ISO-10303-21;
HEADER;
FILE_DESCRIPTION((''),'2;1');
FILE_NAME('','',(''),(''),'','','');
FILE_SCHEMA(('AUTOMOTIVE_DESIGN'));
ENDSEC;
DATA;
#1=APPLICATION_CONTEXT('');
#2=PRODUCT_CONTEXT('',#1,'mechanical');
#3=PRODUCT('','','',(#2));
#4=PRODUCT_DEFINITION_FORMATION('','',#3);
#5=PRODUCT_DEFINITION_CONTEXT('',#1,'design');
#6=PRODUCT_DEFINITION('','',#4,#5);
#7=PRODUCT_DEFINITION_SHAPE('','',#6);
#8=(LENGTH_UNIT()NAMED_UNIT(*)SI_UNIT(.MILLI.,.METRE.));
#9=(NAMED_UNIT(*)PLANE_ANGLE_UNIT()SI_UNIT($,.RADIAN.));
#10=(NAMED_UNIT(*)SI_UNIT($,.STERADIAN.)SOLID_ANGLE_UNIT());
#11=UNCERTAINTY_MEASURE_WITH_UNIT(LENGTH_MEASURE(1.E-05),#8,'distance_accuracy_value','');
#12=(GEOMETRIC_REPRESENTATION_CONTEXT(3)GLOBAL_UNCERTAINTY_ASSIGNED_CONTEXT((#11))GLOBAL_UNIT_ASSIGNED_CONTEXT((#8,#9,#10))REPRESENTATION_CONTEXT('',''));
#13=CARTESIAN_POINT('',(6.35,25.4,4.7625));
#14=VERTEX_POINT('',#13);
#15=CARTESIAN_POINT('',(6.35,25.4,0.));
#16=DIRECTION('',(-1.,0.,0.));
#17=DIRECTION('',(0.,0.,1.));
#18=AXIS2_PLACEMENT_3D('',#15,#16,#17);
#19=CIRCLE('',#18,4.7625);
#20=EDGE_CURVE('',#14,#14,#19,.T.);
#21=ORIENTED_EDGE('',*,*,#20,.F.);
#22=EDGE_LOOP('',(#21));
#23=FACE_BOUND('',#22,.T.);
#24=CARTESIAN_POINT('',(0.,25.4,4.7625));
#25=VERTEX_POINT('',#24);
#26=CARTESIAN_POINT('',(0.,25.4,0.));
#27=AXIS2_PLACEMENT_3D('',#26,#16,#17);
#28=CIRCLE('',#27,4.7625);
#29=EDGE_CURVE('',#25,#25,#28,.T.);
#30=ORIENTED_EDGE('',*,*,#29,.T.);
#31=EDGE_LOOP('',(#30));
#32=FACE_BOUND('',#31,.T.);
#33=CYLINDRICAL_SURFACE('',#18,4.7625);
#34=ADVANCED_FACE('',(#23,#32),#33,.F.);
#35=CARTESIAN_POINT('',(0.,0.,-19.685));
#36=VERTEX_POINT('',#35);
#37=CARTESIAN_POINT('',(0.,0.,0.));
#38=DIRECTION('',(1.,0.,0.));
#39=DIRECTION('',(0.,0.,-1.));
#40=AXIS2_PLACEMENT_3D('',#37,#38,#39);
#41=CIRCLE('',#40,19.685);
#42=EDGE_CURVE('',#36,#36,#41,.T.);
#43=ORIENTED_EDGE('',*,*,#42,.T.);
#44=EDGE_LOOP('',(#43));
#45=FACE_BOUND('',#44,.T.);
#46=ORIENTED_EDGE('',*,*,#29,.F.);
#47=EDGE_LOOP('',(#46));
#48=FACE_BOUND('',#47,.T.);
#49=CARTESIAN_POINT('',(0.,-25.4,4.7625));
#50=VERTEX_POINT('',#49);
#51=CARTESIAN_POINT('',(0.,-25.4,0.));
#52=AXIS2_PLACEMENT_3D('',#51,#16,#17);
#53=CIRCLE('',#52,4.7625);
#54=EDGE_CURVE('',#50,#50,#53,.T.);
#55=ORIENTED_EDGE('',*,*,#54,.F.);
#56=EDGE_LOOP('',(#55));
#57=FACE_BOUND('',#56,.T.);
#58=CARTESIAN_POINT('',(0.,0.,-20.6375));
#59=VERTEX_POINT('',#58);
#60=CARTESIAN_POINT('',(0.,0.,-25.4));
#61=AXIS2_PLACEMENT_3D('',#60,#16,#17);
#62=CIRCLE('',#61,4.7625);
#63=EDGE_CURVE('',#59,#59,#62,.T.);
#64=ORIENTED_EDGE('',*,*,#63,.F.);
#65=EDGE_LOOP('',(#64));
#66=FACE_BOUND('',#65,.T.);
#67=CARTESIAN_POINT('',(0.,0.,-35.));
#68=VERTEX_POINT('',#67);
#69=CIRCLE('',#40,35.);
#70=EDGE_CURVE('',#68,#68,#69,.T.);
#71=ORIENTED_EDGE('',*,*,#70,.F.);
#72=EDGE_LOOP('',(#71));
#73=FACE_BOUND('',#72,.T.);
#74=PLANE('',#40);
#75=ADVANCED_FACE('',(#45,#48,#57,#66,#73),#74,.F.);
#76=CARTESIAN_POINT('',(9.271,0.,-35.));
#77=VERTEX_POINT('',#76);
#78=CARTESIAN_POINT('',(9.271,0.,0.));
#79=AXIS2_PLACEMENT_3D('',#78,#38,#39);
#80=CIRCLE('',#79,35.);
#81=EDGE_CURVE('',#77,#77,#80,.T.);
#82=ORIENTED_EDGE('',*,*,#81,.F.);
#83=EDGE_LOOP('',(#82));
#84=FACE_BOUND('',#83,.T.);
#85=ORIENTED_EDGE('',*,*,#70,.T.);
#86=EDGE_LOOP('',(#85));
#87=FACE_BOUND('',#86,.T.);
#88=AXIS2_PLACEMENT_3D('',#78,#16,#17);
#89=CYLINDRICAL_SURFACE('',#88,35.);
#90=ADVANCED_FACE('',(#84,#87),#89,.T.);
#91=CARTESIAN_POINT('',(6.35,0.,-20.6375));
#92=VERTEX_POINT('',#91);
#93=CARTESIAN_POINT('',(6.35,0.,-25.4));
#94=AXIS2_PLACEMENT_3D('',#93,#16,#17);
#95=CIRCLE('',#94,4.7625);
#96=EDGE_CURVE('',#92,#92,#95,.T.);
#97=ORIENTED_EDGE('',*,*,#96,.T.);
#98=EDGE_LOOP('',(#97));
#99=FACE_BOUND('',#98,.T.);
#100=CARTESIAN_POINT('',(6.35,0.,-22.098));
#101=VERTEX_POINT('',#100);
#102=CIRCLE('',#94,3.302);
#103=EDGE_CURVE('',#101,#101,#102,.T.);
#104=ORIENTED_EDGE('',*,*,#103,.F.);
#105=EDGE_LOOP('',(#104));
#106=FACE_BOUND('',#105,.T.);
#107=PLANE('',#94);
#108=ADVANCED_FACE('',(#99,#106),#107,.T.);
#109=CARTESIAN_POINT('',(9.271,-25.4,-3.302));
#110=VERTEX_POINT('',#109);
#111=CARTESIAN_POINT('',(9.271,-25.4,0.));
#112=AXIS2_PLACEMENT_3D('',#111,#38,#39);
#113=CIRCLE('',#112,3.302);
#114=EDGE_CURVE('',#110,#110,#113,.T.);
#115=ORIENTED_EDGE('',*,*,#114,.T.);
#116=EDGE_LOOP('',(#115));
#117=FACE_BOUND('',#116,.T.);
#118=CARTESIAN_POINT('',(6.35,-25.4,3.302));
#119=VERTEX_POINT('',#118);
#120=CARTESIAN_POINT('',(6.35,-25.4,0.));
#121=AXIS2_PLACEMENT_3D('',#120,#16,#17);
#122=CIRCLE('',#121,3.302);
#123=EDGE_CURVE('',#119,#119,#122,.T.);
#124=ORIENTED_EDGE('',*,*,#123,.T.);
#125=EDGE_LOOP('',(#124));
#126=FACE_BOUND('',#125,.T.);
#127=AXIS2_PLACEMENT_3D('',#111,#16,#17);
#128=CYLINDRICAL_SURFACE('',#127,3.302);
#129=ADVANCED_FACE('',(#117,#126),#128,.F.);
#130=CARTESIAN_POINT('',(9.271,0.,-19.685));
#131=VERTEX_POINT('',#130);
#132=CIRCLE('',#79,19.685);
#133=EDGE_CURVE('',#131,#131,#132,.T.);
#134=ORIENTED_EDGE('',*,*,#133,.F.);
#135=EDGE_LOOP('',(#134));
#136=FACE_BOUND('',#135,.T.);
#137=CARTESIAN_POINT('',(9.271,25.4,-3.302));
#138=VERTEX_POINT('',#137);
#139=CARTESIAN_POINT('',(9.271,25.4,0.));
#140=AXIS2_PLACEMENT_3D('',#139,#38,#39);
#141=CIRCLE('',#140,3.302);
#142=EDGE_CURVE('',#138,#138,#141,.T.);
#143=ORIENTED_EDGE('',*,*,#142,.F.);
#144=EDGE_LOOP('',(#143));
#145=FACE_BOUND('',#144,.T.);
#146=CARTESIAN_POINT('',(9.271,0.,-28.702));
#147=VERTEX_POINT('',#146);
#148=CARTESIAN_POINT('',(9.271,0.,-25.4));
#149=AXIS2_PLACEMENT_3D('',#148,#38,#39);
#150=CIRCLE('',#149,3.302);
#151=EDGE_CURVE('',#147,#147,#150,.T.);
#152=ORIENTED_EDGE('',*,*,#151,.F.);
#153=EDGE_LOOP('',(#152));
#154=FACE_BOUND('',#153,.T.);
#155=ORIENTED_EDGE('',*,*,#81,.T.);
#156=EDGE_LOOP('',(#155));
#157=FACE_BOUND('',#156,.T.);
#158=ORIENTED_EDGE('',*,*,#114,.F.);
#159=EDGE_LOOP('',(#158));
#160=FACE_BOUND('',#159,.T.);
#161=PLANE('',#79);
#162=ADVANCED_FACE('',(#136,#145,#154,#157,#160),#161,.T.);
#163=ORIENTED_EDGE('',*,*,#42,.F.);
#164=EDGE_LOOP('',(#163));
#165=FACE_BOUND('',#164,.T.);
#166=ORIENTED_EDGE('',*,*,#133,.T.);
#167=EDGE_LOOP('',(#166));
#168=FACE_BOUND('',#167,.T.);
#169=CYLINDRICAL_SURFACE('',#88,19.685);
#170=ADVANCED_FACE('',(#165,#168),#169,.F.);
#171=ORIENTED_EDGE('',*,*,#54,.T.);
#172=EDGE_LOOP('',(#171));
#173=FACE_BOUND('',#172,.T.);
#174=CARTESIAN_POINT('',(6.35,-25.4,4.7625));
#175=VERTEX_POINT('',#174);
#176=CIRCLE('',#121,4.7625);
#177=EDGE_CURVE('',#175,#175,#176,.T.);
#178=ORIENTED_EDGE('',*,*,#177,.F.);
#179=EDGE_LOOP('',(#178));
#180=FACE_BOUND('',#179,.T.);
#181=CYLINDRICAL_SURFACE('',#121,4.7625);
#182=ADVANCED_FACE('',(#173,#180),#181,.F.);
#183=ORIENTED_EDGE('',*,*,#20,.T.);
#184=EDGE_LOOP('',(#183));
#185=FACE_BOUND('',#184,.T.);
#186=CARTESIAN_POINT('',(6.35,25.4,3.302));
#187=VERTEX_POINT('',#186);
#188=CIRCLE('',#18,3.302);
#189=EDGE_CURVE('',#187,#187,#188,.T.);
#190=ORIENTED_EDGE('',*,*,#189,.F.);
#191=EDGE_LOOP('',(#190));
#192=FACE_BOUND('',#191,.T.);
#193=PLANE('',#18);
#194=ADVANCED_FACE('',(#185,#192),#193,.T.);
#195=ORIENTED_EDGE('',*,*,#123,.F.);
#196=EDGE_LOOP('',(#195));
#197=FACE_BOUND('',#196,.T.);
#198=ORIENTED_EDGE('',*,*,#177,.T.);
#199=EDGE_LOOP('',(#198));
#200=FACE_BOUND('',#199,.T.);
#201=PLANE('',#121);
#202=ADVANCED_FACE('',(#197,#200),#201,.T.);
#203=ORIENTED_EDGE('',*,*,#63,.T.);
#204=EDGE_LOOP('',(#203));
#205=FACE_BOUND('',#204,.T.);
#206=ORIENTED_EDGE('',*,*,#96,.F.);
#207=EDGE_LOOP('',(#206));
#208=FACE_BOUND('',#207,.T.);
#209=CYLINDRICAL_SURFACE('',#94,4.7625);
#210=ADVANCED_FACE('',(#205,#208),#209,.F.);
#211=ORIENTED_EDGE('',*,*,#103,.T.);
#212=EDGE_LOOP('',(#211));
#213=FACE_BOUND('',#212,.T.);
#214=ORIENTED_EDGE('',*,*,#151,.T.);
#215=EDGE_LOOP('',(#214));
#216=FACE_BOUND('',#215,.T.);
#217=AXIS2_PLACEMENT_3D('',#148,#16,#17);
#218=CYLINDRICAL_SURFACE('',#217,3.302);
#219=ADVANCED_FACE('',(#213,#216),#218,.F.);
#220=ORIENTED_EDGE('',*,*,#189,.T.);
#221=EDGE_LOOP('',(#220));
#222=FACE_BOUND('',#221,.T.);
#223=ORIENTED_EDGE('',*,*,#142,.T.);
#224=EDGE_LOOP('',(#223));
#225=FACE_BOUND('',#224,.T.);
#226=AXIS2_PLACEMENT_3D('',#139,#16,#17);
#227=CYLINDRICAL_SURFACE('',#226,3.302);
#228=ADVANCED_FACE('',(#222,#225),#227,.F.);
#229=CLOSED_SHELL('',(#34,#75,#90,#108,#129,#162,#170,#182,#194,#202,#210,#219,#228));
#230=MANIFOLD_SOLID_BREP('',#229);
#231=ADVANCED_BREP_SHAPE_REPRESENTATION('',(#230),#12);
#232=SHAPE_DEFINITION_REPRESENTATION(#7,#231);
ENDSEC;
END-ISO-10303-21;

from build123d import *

# Parameters (mm, degrees)
SKETCH1_R           = 35
SKETCH1_R_2         = 19.685
SKETCH1_R_3         = 3.302
BOSS_EXTRUDE1_DEPTH = 9.271
SKETCH2_R           = 4.7625
CUT_EXTRUDE1_DEPTH  = 6.35


with BuildPart() as part:
    # Sketch1 → Boss-Extrude1 (new body)
    with BuildSketch(Plane(origin=(0, 0, 0), x_dir=(0, 0, -1), z_dir=(1, 0, 0))):
        Circle(SKETCH1_R)
        Circle(SKETCH1_R_2, mode=Mode.SUBTRACT)
        with Locations((0, 25.4)):
            Circle(SKETCH1_R_3, mode=Mode.SUBTRACT)
        with Locations((25.4, 0)):
            Circle(SKETCH1_R_3, mode=Mode.SUBTRACT)
        with Locations((0, -25.4)):
            Circle(SKETCH1_R_3, mode=Mode.SUBTRACT)
    extrude(amount=BOSS_EXTRUDE1_DEPTH)

    # Sketch2 → Cut-Extrude1 (cut)
    with BuildSketch(Plane.ZY):
        with Locations((0, 25.4)):
            Circle(SKETCH2_R)
        with Locations((0, -25.4)):
            Circle(SKETCH2_R)
        with Locations((-25.4, 0)):
            Circle(SKETCH2_R)
    extrude(amount=-CUT_EXTRUDE1_DEPTH, mode=Mode.SUBTRACT)


solid = part.part
